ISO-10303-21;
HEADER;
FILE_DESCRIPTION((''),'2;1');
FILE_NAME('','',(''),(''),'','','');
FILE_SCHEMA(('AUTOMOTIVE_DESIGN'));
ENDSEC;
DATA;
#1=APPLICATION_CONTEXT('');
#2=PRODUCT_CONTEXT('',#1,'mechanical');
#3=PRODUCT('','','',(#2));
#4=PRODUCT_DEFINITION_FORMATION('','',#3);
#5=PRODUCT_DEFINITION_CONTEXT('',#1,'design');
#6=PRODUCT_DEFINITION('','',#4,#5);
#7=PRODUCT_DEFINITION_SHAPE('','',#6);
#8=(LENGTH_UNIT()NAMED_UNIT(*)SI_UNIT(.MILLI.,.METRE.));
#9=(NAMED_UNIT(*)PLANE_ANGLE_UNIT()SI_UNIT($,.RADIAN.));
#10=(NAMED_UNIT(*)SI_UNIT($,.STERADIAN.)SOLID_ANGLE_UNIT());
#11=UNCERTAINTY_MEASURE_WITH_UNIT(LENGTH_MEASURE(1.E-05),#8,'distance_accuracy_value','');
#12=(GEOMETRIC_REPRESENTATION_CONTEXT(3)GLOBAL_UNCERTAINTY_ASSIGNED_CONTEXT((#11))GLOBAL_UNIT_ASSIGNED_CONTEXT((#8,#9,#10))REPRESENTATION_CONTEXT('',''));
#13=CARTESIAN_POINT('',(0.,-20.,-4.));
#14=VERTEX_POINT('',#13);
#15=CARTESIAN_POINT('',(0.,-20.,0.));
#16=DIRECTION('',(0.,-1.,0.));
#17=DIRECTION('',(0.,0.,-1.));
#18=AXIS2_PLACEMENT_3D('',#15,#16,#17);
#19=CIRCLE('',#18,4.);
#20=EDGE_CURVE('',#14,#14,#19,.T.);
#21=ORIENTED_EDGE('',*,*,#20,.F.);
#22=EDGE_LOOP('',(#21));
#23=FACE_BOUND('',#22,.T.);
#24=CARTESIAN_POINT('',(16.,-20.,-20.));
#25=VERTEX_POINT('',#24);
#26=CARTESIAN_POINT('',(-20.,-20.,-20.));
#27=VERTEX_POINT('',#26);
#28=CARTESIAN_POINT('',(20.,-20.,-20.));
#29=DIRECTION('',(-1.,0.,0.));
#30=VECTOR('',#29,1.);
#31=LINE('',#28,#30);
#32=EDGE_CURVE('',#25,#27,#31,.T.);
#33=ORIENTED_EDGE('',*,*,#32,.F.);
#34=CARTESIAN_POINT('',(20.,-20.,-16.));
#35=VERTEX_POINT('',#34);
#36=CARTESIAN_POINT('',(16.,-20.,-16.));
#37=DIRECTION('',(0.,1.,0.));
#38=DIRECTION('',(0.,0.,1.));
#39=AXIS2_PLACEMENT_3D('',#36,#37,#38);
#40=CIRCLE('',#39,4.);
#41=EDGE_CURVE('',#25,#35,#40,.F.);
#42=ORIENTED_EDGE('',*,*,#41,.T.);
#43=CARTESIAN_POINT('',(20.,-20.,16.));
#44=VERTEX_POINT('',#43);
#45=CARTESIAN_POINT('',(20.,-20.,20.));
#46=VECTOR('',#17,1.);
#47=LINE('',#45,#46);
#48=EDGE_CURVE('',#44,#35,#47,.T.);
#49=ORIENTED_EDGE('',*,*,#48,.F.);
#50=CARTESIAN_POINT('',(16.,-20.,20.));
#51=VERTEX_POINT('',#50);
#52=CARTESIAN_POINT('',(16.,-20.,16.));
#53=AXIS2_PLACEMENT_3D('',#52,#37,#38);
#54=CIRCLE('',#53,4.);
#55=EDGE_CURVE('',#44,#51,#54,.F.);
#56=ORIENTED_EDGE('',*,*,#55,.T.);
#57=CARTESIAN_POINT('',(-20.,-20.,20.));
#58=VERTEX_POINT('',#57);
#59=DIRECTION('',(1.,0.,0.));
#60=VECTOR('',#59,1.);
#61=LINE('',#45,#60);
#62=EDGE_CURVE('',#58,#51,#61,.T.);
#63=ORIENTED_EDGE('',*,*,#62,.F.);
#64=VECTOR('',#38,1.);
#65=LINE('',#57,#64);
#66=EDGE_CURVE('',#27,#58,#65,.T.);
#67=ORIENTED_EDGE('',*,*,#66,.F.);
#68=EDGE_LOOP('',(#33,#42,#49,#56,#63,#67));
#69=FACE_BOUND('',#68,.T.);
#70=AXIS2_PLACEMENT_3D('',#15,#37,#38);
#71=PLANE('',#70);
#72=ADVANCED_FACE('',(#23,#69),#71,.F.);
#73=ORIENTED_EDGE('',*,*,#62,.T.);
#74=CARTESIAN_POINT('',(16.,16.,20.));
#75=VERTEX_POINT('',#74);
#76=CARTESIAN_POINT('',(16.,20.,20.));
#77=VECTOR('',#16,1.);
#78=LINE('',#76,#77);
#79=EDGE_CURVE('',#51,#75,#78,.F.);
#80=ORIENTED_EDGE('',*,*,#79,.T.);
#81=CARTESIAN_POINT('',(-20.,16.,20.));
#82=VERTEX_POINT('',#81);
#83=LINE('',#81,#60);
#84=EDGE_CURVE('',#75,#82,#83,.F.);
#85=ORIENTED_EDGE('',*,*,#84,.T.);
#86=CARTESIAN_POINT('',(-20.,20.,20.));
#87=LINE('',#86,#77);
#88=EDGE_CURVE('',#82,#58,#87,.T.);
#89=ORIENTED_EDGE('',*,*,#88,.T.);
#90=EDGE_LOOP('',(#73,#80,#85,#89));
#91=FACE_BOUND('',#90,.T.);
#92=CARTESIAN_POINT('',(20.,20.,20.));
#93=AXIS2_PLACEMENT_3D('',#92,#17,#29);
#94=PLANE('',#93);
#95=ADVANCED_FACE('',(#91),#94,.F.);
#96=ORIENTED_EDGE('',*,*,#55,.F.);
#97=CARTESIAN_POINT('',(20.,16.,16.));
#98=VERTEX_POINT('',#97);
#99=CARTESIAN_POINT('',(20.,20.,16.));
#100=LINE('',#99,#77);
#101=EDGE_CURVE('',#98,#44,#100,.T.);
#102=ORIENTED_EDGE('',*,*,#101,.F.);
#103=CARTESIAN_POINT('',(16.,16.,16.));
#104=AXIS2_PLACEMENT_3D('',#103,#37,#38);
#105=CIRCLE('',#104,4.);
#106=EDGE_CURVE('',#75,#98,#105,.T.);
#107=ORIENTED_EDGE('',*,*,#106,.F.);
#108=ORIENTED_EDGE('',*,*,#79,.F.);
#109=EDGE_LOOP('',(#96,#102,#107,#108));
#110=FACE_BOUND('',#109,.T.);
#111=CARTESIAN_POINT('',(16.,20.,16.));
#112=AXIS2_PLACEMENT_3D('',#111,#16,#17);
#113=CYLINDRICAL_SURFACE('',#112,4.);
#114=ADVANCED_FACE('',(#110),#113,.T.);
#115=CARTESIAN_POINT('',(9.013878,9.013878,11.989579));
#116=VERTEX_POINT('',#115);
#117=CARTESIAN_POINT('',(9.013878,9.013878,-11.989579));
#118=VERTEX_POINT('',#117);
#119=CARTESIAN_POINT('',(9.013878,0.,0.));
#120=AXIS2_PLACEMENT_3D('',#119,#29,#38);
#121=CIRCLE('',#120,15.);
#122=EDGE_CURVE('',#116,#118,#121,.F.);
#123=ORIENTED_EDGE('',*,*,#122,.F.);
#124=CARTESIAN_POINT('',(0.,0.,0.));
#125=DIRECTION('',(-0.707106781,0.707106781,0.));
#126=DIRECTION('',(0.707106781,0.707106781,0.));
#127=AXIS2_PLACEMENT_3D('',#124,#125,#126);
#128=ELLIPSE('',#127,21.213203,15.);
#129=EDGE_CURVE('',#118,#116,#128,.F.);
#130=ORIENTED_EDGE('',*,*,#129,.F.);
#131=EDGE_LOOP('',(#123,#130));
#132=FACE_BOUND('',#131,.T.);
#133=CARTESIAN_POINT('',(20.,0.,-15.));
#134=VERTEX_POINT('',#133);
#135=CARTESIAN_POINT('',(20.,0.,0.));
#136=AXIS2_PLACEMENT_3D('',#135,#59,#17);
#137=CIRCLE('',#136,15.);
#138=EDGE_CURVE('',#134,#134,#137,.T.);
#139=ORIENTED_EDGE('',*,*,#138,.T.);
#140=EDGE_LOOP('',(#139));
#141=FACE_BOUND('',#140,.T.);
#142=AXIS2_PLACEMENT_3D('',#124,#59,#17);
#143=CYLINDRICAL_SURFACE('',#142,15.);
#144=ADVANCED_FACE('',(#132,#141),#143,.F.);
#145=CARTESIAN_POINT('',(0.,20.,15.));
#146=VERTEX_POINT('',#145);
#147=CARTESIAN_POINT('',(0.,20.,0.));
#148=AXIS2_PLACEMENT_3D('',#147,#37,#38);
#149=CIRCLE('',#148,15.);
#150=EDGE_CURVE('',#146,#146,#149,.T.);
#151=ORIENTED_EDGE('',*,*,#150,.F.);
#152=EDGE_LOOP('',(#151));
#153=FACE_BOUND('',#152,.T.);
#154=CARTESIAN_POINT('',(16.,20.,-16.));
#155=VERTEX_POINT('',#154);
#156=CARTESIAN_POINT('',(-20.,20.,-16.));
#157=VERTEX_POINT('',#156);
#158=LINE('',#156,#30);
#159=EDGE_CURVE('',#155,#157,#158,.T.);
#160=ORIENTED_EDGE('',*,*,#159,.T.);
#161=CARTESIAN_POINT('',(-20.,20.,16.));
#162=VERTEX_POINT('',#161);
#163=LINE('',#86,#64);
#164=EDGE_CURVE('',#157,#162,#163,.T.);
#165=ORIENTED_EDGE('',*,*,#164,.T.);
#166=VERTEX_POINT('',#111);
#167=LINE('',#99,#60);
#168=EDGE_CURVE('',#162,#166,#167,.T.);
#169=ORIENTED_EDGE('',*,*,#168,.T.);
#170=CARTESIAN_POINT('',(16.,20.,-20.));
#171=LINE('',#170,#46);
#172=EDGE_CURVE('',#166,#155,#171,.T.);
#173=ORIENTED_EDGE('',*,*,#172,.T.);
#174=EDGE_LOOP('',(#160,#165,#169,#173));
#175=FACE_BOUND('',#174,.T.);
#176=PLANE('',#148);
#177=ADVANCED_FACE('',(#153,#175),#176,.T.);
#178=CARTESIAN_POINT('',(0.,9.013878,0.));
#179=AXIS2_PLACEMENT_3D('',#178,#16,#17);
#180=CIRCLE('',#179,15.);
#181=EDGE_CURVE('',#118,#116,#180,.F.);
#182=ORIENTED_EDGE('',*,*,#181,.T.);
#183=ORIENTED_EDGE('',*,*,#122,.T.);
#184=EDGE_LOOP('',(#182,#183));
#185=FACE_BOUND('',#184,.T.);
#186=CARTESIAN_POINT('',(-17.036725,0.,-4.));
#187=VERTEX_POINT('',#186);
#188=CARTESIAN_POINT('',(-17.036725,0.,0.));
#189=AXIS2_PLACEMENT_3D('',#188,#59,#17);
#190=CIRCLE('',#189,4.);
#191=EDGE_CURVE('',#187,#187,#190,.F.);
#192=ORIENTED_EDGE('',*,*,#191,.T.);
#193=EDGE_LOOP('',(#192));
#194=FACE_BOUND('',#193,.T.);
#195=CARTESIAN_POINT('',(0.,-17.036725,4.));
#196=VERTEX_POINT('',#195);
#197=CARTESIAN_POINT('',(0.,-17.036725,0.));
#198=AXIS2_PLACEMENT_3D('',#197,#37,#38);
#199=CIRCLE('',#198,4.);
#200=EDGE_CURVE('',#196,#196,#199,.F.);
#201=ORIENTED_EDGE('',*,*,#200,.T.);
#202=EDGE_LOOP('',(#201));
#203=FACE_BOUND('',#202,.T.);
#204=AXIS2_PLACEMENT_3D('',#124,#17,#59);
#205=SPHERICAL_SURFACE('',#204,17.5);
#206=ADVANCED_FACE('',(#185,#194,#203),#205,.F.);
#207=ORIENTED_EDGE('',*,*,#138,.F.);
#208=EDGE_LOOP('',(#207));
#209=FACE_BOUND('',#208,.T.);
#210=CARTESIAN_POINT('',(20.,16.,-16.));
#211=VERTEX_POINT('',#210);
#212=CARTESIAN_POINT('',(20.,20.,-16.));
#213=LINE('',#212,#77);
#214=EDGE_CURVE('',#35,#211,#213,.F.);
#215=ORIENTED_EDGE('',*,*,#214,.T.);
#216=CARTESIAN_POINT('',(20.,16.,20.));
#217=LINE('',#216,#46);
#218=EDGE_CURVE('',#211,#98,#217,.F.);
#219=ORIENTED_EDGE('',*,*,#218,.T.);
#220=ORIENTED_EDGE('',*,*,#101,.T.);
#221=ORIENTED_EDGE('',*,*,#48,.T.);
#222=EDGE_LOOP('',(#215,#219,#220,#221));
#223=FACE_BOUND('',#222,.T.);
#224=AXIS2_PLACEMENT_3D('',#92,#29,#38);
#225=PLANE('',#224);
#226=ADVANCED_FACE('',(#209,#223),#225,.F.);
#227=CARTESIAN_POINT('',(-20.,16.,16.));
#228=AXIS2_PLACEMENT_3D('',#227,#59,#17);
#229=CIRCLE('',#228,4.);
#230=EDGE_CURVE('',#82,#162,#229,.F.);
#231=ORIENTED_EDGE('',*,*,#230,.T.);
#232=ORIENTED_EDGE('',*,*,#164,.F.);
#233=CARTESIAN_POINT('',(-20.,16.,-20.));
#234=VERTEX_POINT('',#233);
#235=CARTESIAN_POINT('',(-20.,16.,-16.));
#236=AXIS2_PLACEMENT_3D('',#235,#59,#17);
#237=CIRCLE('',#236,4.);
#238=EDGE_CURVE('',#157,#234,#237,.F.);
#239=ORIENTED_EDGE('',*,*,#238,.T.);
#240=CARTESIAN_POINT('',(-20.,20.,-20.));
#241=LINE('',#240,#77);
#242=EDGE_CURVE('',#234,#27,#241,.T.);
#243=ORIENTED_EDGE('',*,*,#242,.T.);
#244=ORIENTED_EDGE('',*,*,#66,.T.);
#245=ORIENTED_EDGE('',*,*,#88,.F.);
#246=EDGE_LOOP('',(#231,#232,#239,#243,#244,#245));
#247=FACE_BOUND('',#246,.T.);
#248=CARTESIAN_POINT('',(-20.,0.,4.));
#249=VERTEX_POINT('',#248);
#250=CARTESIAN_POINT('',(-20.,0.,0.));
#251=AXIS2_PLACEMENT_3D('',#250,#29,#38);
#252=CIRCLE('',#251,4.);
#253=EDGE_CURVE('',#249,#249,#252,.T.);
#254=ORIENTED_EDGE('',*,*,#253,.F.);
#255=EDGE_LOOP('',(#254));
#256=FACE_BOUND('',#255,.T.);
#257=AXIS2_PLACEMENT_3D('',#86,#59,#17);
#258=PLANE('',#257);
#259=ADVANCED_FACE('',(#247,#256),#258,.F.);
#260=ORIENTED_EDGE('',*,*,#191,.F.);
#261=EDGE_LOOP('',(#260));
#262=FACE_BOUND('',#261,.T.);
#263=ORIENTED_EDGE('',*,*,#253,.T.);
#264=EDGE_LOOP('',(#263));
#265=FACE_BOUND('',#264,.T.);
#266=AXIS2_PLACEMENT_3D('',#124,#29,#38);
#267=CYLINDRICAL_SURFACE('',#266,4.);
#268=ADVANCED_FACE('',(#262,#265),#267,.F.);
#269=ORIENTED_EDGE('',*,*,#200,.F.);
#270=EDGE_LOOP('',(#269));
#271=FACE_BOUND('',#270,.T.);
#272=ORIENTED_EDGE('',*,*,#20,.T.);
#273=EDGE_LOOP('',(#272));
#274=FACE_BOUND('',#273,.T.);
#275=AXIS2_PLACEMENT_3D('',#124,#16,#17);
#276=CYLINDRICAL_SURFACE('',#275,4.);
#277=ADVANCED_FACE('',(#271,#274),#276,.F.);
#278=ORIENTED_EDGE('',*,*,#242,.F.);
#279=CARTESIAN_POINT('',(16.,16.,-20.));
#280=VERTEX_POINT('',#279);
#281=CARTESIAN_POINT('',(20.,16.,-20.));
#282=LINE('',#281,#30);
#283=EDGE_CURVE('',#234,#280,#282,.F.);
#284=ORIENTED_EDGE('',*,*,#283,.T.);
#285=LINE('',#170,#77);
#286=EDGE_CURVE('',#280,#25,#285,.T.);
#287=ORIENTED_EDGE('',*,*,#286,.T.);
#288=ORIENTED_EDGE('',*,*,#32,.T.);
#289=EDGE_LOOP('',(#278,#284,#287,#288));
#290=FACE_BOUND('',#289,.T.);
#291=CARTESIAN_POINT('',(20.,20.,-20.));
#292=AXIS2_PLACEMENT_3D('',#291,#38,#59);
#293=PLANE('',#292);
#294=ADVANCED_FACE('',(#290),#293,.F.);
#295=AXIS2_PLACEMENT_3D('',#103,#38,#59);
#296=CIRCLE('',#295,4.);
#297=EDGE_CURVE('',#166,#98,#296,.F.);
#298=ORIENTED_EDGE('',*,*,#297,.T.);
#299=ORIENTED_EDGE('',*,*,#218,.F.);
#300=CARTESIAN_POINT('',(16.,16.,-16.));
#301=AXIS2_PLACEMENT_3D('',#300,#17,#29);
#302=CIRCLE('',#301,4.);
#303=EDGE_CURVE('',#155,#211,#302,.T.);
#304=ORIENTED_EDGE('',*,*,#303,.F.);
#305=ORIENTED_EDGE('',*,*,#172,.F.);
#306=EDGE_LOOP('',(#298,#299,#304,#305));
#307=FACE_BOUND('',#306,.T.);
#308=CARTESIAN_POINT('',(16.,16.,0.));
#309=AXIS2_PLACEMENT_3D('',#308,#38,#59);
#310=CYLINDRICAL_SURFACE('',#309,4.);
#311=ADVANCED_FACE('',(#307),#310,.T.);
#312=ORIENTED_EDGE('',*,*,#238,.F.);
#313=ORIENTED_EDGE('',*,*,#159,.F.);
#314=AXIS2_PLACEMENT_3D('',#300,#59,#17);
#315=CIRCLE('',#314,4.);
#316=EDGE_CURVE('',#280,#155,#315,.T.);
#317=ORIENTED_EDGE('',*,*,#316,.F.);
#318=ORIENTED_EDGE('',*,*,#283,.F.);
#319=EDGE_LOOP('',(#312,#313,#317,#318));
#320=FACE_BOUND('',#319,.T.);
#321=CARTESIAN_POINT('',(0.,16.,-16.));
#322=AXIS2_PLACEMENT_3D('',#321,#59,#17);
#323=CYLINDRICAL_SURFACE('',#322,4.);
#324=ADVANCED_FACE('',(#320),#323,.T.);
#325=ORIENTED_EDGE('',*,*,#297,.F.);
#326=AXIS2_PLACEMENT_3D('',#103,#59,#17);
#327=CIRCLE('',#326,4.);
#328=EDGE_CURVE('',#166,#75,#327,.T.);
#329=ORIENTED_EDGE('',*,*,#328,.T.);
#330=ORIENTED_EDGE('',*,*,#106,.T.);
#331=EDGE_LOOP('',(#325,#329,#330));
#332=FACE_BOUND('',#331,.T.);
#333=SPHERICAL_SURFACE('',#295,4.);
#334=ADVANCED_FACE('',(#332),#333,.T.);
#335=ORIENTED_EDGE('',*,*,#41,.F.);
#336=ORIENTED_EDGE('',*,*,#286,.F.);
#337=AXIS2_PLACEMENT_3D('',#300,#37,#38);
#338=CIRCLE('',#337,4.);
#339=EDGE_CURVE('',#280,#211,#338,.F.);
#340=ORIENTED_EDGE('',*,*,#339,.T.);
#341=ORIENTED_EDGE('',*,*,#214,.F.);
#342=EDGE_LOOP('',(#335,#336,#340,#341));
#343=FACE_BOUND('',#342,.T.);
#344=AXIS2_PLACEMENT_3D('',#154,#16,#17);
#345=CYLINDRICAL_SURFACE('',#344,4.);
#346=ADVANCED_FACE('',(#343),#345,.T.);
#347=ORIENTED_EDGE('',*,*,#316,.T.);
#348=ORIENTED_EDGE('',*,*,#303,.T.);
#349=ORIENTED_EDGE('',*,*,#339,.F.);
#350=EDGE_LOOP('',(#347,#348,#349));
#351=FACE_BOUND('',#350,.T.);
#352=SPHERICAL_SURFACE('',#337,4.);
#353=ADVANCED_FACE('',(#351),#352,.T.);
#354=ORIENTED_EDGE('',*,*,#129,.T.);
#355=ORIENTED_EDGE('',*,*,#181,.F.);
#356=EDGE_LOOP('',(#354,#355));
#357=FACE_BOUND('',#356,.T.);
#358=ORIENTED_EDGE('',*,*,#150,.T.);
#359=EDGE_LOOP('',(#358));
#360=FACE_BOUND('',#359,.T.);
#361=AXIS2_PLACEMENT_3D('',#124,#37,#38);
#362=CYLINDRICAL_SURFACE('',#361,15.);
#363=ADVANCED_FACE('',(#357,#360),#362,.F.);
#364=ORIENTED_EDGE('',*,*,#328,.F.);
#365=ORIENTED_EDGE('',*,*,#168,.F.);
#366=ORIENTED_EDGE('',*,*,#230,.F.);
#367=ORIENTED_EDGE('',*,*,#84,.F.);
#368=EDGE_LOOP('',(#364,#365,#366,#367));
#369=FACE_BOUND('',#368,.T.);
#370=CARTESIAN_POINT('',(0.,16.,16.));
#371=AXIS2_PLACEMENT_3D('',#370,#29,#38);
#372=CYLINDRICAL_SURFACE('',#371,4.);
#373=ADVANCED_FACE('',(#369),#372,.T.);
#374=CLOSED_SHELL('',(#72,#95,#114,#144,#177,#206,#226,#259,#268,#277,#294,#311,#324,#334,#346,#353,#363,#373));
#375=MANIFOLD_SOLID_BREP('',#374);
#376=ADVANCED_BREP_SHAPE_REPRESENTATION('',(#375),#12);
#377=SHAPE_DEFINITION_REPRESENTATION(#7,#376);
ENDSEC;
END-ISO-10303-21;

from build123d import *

# Parameters (mm, degrees)
SKETCH1_W           = 40
SKETCH1_H           = 40
BOSS_EXTRUDE1_DEPTH = 20
FILLET1_R           = 4
SKETCH12_R          = 15
CUT_EXTRUDE2_DEPTH  = 20
SKETCH13_R          = 15
CUT_EXTRUDE3_DEPTH  = 20
SKETCH16_R          = 4
CUT_EXTRUDE6_DEPTH  = 20
SKETCH17_R          = 4
CUT_EXTRUDE7_DEPTH  = 20


with BuildPart() as part:
    # Sketch1 → Boss-Extrude1 (new body, symmetric)
    with BuildSketch(Plane(origin=(0, 0, 0), x_dir=(1, 0, 0), z_dir=(0, 1, 0))):
        Rectangle(SKETCH1_W, SKETCH1_H)
    extrude(amount=BOSS_EXTRUDE1_DEPTH, both=True)

    # Fillet1
    fillet1_edges = [part.edges().sort_by_distance(p)[0] for p in [
        (20, 20, 0),
        (0, 20, -20),
        (20, 0, -20),
        (20, 0, 20),
        (0, 20, 20),
    ]]
    fillet(fillet1_edges, radius=FILLET1_R)

    # Sketch2 → Cut-Revolve1 (revolve, cut)
    with BuildSketch(Plane(origin=(0, 0, 0), x_dir=(1, 0, 0), z_dir=(0, 1, 0))):
        with BuildLine():
            Line((0, 17.5), (0, -17.5))
            ThreePointArc((0, -17.5), (-17.5, 0), (0, 17.5))
        make_face()
    revolve(axis=Axis((0, 0, -20.989422068), (0, 0, 1)), mode=Mode.SUBTRACT)

    # Sketch12 → Cut-Extrude2 (cut)
    with BuildSketch(Plane(origin=(0, 20, 0), x_dir=(1, 0, 0), z_dir=(0, 1, 0))):
        Circle(SKETCH12_R)
    extrude(amount=-CUT_EXTRUDE2_DEPTH, mode=Mode.SUBTRACT)

    # Sketch13 → Cut-Extrude3 (cut)
    with BuildSketch(Plane(origin=(20, 0, 0), x_dir=(0, 0, -1), z_dir=(1, 0, 0))):
        Circle(SKETCH13_R)
    extrude(amount=-CUT_EXTRUDE3_DEPTH, mode=Mode.SUBTRACT)

    # Sketch16 → Cut-Extrude6 (cut)
    with BuildSketch(Plane.XZ.offset(20)):
        Circle(SKETCH16_R)
    extrude(amount=-CUT_EXTRUDE6_DEPTH, mode=Mode.SUBTRACT)

    # Sketch17 → Cut-Extrude7 (cut)
    with BuildSketch(Plane.ZY.offset(20)):
        Circle(SKETCH17_R)
    extrude(amount=-CUT_EXTRUDE7_DEPTH, mode=Mode.SUBTRACT)


solid = part.part
